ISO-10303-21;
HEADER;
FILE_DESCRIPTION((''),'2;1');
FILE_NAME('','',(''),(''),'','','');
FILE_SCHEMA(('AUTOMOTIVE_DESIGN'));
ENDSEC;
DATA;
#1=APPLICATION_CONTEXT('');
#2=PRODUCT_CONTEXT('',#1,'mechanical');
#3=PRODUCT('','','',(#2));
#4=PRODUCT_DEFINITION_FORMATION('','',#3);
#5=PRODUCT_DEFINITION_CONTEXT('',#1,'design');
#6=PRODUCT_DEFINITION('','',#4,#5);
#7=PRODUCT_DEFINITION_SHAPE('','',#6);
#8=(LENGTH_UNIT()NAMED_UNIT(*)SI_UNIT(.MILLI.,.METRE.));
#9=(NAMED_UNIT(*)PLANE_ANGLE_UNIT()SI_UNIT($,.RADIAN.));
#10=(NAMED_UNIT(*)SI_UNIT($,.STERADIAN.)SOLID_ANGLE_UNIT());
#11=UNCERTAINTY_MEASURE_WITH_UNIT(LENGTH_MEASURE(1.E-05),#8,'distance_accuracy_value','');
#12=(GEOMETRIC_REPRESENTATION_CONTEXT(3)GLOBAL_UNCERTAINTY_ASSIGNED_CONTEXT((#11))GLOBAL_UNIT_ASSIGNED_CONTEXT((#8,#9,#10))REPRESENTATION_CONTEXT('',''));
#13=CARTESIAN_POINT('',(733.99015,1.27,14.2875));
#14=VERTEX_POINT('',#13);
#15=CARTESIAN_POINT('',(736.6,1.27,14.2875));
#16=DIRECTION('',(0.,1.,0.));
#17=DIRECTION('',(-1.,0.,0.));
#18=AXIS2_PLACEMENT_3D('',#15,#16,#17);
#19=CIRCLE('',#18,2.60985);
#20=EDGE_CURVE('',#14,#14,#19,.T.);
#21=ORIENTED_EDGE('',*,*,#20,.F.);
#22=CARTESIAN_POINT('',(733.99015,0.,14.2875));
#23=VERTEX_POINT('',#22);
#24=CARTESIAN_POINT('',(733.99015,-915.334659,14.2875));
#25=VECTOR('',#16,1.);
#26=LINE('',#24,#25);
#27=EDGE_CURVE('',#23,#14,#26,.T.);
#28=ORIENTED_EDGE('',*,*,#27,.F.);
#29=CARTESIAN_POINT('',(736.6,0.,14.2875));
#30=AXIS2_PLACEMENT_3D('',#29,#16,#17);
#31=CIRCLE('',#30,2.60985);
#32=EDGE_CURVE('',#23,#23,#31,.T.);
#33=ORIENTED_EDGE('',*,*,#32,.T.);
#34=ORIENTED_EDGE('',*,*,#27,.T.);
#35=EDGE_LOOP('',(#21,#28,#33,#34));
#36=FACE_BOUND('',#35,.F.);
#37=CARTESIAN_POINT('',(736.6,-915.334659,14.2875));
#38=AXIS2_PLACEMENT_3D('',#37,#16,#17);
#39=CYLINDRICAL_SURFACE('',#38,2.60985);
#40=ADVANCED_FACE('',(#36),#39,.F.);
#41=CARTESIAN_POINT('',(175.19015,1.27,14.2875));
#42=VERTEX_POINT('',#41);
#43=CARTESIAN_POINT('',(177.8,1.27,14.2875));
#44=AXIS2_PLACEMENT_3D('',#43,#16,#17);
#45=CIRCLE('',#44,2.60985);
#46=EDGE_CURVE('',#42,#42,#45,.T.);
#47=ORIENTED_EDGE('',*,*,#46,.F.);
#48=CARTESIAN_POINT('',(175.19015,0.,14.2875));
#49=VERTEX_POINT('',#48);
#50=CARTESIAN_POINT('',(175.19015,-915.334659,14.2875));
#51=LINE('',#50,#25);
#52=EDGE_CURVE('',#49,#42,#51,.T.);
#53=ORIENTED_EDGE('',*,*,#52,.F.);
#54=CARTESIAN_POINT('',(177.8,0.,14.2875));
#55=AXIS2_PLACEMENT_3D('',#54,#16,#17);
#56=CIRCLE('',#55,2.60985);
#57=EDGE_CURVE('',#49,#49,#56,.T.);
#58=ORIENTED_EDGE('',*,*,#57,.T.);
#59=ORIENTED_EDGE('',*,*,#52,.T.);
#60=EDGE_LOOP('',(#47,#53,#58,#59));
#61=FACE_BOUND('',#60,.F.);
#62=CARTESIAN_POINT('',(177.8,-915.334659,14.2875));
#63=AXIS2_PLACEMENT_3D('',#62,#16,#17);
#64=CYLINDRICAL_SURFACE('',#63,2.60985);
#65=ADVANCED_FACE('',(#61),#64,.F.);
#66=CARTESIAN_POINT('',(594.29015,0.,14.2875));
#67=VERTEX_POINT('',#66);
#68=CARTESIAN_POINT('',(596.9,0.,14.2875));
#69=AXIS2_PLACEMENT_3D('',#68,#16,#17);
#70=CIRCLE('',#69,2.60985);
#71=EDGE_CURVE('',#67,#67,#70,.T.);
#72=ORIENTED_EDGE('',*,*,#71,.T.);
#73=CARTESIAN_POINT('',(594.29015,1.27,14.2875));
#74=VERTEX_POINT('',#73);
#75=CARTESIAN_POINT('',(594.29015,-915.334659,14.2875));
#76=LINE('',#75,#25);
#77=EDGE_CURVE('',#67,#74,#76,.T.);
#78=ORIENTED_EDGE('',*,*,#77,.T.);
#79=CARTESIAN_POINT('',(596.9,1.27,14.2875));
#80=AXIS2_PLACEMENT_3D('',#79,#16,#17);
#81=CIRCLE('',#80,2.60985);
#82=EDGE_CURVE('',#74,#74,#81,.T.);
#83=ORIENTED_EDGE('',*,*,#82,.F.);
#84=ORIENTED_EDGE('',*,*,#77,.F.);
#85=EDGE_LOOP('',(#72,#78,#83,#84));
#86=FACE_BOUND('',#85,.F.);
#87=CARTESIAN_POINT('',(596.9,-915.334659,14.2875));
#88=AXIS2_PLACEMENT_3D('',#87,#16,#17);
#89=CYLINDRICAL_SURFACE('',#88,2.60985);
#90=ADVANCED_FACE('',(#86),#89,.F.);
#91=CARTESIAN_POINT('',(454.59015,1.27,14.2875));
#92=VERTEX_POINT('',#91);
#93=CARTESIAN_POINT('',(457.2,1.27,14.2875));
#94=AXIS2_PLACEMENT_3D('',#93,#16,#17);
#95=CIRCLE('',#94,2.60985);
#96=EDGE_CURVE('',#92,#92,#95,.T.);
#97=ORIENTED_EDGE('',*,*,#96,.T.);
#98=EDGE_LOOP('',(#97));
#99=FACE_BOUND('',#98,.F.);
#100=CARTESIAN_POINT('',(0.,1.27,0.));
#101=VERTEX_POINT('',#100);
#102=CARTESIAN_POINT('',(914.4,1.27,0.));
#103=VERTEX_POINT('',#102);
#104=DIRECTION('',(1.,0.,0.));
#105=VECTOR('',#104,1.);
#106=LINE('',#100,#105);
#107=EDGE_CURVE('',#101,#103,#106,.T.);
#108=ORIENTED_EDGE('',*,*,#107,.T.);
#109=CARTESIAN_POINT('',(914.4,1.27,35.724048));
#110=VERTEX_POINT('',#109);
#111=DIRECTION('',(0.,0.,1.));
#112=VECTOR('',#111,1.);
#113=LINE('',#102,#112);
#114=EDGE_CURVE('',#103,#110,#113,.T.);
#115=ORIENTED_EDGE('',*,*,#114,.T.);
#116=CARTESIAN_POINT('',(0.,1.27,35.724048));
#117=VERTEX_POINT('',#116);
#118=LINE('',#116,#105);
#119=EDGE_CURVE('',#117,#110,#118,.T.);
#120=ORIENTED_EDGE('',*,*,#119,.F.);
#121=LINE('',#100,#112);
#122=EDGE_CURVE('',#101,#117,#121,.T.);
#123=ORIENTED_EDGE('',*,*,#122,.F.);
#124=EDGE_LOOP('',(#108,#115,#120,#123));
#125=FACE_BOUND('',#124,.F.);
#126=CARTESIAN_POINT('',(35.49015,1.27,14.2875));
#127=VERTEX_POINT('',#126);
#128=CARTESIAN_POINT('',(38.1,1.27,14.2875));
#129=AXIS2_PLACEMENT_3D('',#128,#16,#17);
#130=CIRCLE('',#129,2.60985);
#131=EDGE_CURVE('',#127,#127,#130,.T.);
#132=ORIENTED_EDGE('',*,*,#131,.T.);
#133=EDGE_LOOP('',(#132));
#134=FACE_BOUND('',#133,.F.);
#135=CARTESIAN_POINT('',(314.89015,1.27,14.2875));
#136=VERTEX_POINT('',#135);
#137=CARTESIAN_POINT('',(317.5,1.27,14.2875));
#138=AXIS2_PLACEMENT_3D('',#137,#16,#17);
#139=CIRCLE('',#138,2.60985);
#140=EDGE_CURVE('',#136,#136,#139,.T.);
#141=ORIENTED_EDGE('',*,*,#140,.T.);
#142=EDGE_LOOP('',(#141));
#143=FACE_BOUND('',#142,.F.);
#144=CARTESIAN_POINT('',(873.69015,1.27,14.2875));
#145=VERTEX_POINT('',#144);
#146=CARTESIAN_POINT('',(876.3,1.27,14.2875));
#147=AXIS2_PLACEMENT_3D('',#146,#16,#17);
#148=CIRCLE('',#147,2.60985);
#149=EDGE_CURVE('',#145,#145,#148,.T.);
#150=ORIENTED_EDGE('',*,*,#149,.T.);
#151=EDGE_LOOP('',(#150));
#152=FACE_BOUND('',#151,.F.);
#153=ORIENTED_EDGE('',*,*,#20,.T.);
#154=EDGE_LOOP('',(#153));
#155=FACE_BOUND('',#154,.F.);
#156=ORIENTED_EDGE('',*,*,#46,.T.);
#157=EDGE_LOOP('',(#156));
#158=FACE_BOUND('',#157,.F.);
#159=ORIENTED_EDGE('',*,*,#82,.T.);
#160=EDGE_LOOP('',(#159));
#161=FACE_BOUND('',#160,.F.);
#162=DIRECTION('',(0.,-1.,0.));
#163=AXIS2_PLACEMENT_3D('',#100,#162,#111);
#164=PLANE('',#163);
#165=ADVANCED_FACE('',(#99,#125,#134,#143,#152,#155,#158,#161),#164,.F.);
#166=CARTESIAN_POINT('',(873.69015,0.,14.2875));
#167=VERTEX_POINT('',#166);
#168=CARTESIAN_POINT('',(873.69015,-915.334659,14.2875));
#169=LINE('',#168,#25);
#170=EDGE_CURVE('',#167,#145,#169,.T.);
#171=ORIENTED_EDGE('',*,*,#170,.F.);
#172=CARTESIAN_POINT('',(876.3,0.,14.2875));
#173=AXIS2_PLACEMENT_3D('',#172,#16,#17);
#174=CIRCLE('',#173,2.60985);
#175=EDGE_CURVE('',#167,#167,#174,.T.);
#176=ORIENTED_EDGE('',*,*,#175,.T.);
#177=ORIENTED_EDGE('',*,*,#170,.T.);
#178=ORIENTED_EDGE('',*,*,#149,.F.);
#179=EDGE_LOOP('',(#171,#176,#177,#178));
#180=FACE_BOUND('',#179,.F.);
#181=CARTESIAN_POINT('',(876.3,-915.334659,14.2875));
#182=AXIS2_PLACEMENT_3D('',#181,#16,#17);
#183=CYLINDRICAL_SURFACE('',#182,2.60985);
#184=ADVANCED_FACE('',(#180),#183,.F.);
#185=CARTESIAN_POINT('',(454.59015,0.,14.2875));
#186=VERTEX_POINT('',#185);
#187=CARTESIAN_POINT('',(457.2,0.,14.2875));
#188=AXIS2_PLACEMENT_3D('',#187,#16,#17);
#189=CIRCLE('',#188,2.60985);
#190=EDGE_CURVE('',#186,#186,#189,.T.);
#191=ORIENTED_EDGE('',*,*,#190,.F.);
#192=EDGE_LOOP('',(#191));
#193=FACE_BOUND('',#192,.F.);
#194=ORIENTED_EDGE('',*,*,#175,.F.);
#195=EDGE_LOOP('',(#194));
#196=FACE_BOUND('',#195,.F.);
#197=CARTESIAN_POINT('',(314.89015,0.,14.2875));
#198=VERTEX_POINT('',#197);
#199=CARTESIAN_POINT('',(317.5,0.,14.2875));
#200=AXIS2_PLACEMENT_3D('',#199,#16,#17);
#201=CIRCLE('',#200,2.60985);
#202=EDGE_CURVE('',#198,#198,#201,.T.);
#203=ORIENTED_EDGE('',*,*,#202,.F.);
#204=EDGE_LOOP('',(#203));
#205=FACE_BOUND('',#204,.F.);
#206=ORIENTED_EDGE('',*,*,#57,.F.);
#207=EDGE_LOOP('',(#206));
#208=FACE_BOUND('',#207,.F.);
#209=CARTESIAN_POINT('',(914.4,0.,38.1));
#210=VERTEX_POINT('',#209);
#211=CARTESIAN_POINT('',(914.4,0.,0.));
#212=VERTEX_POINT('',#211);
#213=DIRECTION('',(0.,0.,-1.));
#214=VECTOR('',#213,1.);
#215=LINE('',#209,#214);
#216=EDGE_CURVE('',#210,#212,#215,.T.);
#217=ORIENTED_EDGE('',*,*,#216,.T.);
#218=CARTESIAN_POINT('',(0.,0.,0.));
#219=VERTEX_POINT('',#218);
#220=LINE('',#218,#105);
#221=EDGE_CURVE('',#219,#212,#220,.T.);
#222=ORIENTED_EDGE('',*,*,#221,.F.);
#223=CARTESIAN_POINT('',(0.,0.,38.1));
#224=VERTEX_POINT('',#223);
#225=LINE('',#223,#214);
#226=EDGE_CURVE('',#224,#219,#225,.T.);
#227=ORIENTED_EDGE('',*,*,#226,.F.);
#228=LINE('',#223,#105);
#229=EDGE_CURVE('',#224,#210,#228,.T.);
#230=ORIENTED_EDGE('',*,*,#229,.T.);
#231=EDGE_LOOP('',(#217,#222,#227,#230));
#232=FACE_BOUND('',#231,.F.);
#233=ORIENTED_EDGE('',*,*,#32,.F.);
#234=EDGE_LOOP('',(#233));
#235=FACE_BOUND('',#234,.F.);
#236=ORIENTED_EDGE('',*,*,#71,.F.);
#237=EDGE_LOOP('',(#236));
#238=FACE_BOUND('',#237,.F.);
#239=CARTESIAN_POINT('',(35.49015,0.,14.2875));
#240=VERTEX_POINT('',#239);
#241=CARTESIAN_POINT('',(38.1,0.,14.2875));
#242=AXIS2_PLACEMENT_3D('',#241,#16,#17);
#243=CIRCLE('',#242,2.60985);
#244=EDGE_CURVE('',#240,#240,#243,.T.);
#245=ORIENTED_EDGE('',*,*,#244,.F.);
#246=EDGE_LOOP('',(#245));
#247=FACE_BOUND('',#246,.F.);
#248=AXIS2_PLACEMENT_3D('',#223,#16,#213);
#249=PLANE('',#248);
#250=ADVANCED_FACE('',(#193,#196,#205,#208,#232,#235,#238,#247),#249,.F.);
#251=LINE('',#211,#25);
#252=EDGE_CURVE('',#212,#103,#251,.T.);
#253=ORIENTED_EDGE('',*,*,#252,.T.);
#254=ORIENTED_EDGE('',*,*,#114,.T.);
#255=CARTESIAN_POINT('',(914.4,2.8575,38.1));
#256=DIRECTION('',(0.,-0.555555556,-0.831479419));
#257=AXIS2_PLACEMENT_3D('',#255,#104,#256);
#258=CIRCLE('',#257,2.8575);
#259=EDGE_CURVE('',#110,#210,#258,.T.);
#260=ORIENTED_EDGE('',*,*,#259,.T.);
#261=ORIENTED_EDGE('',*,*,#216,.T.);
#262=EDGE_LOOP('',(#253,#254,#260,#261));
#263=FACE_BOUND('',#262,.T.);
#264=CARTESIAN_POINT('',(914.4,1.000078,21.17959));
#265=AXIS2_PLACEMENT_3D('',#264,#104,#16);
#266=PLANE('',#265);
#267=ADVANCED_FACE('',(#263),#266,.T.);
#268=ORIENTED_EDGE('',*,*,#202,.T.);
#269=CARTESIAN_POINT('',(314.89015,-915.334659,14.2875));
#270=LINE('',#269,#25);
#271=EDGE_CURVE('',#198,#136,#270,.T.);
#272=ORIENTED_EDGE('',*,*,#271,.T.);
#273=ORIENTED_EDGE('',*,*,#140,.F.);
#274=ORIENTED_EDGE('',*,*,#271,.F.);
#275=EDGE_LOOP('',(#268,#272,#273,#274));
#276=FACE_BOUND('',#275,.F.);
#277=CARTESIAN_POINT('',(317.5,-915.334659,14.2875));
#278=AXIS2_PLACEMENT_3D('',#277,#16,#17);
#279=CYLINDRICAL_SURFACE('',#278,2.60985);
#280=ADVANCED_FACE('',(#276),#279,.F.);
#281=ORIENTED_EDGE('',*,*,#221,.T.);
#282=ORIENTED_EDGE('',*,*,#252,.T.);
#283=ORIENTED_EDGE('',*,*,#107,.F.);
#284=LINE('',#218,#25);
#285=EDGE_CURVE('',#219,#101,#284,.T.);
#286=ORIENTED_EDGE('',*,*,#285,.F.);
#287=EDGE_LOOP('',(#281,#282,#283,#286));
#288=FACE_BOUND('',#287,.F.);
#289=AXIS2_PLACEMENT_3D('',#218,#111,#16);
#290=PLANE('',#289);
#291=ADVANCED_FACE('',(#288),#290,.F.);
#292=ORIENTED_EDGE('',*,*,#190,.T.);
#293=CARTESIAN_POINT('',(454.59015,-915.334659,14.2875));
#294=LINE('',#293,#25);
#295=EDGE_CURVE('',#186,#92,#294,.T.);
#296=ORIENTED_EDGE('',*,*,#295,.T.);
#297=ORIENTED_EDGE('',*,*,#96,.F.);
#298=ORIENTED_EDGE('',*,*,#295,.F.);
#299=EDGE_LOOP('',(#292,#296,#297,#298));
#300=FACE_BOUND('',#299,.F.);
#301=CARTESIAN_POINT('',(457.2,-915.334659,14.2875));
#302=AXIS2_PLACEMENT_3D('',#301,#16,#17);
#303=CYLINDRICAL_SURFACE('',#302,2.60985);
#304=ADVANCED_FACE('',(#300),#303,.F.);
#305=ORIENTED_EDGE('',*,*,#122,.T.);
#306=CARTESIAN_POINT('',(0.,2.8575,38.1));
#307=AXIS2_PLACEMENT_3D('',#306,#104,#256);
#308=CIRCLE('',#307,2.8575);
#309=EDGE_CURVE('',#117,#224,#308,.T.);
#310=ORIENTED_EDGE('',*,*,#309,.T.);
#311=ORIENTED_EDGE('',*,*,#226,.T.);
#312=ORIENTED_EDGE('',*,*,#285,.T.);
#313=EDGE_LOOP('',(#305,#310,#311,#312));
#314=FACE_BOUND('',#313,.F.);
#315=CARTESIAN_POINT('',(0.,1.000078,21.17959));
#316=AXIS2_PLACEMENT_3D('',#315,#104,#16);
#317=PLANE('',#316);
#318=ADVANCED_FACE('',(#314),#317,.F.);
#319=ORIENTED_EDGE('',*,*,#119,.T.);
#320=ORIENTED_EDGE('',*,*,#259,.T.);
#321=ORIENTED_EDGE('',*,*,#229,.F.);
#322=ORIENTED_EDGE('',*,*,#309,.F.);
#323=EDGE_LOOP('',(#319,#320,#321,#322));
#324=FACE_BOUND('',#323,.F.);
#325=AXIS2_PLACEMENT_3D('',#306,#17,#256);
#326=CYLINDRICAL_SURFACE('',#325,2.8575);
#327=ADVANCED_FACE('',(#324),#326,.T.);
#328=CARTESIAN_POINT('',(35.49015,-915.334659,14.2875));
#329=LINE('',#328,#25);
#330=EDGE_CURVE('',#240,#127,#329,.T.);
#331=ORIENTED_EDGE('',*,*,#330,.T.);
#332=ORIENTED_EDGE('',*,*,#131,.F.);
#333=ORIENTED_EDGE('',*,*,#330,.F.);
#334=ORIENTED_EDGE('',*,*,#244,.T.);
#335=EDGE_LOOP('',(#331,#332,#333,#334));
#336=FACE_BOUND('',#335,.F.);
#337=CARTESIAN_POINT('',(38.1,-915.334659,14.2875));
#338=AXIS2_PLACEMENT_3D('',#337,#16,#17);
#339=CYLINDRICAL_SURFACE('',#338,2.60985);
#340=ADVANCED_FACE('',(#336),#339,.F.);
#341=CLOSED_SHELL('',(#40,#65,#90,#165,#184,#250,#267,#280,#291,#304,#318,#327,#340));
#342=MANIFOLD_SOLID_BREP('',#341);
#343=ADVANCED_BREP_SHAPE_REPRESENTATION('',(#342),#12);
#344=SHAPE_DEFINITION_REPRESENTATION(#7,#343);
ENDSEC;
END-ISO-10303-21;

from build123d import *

# Parameters (mm, degrees)
F1_DEPTH = 914.4
F3_D     = 5.2197


with BuildPart() as f1:
    # F0 (on Right) → F1 (new body)
    with BuildSketch(Plane.YZ):
        with BuildLine():
            Line((0, 38.1), (0, 0))
            Line((0, 0), (1.27, 0))
            Line((1.27, 0), (1.27, 35.7240475594))
            ThreePointArc((1.27, 35.7240475594), (5.3775781238, 39.4470384182), (0, 38.1))
        make_face()
    extrude(amount=F1_DEPTH)

    # F3 (through all)
    with Locations(Plane.XZ):
        with Locations((38.1, 14.2875), (177.8, 14.2875), (317.5, 14.2875), (596.9, 14.2875), (736.6, 14.2875), (876.3, 14.2875), (457.2, 14.2875)):
            Hole(F3_D / 2)


solid = f1.part
